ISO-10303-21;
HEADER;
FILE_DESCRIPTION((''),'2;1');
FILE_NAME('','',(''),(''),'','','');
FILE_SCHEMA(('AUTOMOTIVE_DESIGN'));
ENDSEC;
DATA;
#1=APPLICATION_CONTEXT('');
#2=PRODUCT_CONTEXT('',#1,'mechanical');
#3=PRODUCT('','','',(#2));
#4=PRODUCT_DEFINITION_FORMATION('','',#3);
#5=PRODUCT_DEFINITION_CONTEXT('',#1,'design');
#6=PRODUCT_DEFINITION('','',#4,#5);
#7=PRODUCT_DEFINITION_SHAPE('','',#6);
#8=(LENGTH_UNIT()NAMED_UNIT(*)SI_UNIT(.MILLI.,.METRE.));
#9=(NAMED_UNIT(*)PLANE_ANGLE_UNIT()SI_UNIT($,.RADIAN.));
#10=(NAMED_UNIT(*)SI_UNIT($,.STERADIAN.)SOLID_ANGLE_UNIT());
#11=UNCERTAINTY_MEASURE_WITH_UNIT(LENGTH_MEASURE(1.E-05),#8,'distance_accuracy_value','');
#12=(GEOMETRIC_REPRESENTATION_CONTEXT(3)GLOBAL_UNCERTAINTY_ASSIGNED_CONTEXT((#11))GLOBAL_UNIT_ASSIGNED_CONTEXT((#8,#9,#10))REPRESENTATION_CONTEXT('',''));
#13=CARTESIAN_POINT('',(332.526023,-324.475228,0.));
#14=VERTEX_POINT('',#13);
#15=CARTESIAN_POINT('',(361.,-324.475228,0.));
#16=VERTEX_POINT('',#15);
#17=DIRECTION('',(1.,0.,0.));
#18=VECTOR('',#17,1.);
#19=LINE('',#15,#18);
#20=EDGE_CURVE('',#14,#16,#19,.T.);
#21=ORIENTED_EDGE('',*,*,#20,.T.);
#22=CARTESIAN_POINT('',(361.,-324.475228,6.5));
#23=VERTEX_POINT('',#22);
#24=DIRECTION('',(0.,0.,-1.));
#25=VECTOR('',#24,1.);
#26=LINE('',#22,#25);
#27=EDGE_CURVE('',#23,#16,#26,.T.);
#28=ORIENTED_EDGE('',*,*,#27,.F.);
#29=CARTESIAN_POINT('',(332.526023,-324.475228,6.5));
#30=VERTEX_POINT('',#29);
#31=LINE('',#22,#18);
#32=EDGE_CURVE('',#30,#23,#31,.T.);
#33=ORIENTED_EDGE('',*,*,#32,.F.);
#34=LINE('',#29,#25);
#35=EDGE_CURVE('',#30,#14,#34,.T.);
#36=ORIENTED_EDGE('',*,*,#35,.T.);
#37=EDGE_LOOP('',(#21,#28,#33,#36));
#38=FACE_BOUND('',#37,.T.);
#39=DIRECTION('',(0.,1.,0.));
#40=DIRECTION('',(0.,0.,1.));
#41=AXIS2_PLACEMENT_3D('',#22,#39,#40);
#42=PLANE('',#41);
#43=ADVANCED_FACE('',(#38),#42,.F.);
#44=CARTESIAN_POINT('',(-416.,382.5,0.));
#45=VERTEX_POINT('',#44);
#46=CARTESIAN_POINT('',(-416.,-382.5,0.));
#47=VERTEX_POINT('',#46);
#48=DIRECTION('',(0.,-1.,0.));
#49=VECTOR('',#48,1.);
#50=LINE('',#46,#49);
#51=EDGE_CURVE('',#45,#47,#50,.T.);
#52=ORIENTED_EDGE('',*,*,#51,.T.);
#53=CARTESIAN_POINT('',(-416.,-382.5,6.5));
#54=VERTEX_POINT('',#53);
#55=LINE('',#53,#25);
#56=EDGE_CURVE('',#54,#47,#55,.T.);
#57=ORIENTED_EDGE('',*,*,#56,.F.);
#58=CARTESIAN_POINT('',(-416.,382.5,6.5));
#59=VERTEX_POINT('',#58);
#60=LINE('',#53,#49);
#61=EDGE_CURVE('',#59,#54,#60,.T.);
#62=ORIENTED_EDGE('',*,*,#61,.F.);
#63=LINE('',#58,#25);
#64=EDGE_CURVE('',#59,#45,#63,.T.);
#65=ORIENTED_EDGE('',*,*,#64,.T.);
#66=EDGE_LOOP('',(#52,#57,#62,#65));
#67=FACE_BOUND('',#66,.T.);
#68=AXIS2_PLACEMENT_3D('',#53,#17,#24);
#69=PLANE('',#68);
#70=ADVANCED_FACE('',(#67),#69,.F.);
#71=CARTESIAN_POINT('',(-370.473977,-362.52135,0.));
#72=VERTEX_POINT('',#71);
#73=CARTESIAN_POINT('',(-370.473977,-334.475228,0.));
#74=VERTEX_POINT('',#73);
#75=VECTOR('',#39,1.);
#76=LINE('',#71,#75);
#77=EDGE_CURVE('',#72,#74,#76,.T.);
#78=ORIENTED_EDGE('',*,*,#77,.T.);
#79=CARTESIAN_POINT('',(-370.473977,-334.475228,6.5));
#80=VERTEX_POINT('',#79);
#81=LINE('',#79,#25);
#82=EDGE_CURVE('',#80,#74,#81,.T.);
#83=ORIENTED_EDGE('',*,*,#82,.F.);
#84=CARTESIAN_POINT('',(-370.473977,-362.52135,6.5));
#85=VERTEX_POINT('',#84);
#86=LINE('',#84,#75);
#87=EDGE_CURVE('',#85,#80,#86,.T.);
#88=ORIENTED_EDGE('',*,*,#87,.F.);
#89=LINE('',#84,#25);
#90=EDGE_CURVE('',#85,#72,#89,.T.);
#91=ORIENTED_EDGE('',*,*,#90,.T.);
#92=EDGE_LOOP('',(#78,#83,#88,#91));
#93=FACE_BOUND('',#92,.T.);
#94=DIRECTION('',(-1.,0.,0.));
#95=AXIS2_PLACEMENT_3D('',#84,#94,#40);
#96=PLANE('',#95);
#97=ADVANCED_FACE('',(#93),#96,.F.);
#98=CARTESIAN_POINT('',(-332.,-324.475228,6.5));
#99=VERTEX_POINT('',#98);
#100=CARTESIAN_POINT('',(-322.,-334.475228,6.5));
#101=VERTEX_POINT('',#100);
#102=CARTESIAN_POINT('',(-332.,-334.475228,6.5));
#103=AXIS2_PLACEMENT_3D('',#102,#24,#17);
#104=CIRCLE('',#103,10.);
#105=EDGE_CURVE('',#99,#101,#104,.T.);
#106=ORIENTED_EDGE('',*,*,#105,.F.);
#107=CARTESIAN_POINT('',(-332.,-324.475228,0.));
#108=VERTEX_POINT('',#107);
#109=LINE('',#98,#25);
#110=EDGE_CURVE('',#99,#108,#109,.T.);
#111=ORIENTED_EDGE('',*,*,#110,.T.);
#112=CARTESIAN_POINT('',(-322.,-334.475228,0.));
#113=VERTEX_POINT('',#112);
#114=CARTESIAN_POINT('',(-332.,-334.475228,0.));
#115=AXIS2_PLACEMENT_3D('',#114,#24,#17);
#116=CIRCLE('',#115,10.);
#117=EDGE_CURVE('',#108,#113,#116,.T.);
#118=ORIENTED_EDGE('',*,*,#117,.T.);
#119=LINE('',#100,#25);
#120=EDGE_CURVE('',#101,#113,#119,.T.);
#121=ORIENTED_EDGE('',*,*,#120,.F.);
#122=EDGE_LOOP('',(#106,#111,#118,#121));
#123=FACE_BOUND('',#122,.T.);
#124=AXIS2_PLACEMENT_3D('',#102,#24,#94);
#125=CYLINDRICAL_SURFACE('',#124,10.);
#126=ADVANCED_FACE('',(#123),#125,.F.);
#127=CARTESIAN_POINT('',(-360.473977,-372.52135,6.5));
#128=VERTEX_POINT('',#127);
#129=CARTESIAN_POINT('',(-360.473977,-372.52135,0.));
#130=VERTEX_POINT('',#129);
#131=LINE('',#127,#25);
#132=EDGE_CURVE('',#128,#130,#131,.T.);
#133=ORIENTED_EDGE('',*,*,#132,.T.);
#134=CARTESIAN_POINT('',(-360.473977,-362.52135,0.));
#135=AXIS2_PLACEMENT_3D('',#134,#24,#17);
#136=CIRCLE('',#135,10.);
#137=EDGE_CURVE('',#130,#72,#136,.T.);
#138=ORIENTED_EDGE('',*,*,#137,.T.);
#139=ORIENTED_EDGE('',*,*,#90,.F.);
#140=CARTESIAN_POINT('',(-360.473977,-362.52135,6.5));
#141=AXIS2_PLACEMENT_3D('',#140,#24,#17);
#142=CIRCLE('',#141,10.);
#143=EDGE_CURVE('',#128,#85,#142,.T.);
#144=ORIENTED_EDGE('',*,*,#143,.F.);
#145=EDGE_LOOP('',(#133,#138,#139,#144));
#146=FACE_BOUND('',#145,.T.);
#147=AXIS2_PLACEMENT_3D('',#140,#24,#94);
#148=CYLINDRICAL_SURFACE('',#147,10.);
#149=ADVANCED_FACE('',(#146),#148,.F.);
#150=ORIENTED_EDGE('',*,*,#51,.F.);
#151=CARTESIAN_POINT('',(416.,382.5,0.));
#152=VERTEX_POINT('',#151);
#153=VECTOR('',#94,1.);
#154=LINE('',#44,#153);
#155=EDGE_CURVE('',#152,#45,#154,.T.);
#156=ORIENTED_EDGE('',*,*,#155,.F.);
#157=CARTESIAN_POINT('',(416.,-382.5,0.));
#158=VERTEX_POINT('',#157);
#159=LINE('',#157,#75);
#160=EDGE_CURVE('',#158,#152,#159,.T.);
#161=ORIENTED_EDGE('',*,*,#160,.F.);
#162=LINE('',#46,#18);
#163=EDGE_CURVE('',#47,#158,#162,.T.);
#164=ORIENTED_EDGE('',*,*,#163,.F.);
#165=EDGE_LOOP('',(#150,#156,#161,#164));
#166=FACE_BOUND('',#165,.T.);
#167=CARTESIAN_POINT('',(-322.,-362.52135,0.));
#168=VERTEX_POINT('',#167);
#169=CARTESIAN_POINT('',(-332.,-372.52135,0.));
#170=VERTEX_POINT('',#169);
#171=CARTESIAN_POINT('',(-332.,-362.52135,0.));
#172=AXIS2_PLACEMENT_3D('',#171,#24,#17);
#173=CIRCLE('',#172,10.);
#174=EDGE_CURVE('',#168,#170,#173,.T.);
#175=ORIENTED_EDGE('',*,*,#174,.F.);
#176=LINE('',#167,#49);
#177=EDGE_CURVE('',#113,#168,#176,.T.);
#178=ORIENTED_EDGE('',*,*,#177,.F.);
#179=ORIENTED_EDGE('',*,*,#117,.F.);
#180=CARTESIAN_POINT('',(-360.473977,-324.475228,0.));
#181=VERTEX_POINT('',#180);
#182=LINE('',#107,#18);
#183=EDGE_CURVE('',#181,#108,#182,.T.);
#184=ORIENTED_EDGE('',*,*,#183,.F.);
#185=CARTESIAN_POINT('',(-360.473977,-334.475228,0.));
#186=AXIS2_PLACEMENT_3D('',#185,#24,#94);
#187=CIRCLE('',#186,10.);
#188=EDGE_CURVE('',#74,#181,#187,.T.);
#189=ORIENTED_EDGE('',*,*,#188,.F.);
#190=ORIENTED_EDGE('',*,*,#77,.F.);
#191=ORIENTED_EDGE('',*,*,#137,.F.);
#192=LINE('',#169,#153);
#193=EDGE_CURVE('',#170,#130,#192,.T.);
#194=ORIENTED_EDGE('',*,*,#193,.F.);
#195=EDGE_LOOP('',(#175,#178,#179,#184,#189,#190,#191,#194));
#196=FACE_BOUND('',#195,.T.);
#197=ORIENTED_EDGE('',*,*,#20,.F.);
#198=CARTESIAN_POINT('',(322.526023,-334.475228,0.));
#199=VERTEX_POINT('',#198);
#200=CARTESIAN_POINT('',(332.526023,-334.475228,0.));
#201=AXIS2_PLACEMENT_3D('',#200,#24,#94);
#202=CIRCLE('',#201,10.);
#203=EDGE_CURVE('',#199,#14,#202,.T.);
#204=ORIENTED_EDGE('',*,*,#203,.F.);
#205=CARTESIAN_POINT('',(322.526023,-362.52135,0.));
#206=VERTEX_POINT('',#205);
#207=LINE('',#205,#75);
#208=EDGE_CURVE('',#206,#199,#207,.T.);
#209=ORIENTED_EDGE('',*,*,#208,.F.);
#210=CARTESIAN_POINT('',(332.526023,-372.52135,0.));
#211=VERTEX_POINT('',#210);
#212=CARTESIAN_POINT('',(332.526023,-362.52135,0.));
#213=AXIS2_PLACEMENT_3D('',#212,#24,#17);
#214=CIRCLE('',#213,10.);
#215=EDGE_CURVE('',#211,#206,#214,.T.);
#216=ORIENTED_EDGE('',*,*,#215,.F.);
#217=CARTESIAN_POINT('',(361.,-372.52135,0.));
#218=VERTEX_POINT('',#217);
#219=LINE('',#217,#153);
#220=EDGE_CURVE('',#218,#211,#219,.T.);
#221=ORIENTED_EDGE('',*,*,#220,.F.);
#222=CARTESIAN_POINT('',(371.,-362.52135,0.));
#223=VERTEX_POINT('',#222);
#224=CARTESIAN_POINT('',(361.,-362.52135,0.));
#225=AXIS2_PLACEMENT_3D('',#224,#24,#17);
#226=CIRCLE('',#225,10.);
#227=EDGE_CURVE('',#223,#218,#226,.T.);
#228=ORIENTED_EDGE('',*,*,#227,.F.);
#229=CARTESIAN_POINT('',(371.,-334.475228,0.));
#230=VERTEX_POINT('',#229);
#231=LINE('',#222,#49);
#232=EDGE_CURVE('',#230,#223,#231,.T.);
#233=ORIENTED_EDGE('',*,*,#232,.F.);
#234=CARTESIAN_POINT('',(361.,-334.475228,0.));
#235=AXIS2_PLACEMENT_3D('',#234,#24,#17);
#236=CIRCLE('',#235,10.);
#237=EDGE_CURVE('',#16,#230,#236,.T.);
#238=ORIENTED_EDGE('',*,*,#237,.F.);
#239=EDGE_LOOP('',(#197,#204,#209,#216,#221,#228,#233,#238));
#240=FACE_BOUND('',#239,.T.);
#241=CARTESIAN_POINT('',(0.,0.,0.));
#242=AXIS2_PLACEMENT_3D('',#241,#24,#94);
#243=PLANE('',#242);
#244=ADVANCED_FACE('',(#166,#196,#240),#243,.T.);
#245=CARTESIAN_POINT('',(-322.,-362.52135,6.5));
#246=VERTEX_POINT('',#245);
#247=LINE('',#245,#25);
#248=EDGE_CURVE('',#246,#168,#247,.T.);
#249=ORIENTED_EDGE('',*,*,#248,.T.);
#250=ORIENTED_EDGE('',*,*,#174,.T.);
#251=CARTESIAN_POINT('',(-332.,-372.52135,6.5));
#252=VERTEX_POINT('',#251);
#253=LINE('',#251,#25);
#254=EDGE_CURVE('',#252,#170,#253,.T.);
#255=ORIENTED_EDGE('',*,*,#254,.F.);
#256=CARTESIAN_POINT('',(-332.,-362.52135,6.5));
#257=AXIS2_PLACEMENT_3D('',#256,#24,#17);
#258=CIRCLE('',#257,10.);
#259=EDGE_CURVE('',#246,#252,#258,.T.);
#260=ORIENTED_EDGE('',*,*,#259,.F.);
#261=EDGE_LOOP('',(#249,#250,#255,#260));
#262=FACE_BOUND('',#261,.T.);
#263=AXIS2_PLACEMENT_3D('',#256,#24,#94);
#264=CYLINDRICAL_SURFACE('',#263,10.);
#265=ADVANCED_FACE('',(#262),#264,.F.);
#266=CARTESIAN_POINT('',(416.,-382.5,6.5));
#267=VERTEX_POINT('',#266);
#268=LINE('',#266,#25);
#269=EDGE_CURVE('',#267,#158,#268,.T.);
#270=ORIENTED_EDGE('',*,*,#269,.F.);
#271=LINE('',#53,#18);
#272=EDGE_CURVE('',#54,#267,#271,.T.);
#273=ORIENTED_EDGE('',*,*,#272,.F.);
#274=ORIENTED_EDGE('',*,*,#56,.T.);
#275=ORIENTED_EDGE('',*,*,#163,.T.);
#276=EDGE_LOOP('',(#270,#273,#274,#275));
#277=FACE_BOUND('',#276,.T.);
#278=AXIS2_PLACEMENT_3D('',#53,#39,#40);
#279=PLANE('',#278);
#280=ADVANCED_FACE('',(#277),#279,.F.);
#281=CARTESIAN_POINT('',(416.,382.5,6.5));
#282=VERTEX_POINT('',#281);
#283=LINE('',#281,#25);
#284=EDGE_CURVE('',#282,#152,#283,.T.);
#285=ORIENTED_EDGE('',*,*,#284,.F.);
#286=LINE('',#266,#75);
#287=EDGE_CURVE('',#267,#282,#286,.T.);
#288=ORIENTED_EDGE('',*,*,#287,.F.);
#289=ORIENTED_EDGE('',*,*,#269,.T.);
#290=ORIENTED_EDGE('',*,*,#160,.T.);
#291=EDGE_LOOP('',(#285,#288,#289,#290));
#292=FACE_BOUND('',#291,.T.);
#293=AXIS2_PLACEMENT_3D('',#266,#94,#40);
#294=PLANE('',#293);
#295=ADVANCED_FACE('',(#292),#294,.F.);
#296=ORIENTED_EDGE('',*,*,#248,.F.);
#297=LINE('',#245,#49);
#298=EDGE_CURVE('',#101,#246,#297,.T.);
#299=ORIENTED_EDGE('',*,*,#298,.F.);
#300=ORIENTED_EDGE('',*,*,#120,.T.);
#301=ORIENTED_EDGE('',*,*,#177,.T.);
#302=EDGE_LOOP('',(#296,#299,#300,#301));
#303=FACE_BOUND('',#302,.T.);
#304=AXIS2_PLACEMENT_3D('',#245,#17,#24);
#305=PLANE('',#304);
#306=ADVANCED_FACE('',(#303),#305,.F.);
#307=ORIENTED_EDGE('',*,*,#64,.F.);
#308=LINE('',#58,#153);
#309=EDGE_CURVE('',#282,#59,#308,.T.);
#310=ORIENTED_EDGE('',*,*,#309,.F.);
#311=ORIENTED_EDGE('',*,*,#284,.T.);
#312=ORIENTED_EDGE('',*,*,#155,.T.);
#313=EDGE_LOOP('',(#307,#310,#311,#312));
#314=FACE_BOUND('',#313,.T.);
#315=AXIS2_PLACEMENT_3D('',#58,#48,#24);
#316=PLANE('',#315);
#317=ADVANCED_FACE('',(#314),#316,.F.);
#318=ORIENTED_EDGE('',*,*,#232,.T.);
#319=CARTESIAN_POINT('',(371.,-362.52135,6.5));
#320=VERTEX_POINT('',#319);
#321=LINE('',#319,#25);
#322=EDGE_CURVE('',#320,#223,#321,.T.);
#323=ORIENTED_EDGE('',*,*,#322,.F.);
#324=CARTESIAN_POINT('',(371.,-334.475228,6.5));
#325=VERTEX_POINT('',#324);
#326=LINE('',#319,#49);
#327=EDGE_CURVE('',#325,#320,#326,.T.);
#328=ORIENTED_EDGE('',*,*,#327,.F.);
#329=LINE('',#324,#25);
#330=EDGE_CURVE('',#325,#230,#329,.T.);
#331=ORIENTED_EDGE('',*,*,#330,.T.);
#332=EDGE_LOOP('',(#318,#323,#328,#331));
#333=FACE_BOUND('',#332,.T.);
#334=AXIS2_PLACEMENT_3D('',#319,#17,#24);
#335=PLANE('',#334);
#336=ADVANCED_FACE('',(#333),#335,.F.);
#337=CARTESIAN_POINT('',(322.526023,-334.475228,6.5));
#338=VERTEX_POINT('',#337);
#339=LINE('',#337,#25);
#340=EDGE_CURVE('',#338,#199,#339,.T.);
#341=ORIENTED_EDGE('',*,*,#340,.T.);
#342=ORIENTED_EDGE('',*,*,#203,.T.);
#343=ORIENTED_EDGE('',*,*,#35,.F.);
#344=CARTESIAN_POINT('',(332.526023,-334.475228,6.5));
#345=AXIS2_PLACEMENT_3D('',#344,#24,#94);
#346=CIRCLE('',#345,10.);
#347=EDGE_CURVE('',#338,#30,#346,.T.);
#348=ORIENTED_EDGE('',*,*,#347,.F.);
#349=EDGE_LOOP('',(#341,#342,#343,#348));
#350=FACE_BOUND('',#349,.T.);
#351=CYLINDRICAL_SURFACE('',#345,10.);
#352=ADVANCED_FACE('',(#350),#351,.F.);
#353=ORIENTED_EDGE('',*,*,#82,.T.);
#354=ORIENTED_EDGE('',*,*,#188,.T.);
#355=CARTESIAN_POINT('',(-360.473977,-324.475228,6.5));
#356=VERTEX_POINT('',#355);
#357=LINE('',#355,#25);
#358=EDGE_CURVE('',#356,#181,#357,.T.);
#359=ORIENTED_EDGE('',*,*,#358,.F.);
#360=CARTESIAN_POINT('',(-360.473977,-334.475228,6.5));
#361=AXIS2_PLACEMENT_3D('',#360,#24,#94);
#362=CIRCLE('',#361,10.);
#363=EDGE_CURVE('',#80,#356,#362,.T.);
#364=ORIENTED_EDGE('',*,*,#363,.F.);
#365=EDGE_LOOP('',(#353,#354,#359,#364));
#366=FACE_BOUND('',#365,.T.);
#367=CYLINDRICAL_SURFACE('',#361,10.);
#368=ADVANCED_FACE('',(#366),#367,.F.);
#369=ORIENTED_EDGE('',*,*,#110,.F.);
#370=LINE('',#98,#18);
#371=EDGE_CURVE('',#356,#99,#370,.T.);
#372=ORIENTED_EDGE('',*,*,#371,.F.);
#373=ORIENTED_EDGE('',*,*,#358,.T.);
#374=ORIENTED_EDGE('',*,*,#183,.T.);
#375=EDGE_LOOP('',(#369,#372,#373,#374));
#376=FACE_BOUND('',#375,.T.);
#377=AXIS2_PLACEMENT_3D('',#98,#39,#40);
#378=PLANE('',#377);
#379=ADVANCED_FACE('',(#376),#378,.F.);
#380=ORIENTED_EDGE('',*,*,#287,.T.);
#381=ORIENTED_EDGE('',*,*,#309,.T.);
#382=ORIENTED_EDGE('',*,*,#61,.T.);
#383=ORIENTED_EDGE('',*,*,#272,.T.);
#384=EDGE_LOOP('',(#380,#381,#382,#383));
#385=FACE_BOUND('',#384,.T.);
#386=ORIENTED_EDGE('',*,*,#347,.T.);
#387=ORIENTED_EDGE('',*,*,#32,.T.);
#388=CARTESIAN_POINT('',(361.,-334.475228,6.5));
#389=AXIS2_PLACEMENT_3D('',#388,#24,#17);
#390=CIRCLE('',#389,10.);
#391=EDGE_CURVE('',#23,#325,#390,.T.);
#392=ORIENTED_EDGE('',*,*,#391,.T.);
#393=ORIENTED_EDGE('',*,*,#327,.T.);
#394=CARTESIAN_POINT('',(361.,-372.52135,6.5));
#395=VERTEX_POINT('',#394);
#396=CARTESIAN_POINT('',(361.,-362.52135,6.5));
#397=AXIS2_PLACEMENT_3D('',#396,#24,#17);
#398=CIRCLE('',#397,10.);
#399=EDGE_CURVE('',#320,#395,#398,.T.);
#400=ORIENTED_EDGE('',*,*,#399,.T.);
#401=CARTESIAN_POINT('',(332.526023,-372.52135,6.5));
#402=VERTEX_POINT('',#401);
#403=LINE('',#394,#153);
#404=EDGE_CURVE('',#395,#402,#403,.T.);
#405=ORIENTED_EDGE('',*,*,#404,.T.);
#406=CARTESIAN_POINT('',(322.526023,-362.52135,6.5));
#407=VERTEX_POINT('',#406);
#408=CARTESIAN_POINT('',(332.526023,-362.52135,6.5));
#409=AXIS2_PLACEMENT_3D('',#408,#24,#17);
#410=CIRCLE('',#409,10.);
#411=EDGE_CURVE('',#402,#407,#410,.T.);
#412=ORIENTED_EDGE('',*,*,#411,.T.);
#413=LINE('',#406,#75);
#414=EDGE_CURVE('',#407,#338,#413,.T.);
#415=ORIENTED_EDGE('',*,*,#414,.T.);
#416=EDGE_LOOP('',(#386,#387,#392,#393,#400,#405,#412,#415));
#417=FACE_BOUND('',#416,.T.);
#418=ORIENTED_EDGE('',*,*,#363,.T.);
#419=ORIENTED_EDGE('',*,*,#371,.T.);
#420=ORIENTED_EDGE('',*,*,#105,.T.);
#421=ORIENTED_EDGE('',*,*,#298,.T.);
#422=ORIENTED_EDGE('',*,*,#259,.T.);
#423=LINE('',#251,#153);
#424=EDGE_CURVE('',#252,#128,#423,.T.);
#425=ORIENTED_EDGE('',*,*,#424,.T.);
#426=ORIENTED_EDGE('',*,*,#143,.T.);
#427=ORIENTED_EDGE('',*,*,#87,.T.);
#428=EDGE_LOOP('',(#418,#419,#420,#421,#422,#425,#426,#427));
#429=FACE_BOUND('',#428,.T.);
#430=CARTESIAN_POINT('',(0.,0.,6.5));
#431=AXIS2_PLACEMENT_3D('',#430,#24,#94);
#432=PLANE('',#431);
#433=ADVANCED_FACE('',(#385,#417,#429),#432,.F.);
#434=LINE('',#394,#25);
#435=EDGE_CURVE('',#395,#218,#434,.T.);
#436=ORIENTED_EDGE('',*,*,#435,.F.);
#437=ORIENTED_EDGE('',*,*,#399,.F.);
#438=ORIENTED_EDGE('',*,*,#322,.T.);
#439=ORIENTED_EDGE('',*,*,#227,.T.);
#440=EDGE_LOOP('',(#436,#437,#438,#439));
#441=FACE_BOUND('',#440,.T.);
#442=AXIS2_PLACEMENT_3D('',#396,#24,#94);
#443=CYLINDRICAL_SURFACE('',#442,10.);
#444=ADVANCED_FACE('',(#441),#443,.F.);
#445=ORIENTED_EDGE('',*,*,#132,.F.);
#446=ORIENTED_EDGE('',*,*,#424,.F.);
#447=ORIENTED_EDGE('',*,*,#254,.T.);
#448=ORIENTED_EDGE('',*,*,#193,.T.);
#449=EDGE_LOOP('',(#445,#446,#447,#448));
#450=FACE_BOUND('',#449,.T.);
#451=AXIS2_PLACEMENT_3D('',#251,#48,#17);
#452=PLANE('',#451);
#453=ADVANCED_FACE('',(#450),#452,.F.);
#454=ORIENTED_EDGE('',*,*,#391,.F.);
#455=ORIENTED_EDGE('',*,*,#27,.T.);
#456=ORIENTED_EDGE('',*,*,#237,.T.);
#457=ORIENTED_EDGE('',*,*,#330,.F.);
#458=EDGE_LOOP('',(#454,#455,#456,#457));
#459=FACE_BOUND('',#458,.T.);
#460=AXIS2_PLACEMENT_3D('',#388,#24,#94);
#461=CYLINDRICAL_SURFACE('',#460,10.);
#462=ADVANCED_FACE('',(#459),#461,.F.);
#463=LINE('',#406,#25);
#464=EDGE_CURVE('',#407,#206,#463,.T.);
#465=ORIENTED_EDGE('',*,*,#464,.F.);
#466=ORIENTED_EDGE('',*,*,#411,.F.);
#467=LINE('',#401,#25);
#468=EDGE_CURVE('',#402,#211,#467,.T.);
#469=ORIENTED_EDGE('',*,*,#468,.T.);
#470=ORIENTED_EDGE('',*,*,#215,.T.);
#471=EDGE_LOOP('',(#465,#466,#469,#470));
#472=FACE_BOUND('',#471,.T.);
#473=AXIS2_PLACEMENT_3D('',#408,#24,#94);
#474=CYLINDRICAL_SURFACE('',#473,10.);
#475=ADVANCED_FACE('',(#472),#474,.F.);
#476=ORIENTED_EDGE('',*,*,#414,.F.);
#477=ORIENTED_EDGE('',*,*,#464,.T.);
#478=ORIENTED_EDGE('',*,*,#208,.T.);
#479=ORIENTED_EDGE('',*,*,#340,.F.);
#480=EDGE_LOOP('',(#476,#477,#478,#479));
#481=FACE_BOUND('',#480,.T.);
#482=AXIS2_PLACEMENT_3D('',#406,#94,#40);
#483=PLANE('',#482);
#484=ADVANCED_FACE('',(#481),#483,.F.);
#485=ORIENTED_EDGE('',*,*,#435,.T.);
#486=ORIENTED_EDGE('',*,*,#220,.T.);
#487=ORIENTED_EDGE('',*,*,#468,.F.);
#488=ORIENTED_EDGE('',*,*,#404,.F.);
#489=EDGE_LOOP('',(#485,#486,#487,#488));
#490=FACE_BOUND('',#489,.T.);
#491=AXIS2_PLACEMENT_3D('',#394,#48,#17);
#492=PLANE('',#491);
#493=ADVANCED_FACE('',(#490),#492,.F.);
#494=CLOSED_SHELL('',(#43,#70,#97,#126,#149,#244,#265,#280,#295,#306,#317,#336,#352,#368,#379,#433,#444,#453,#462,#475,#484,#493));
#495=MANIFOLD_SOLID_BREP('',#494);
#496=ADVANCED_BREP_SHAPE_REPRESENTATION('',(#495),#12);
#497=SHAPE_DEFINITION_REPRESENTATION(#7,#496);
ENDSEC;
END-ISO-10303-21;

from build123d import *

# Parameters (mm, degrees)
ESQUISSE1_W                = 832
ESQUISSE1_H                = 765
BOSS_EXTRU_1_DEPTH         = 6.5
ENL_V_MAT_EXTRU_1_DEPTH    = 566.158827234
R_P_TITION_LIN_AIRE1_COUNT = 2
R_P_TITION_LIN_AIRE1_PITCH = 693


with BuildPart() as part:
    # Esquisse1 → Boss.-Extru.1 (new body)
    with BuildSketch(Plane.XY):
        Rectangle(ESQUISSE1_W, ESQUISSE1_H)
    extrude(amount=BOSS_EXTRU_1_DEPTH)

    # Esquisse2 → Enlèv. mat.-Extru.1 (cut, through all)
    with BuildSketch(Plane(origin=(0, 0, 0), x_dir=(-1, 0, 0), z_dir=(0, 0, -1))):
        with BuildLine():
            Line((-361, -372.521350197), (-332.52602316, -372.521350197))
            ThreePointArc((-332.52602316, -372.521350197), (-325.454955349, -369.592418009), (-322.52602316, -362.521350197))
            Line((-322.52602316, -362.521350197), (-322.52602316, -334.475228476))
            ThreePointArc((-322.52602316, -334.475228476), (-325.454955349, -327.404160664), (-332.52602316, -324.475228476))
            Line((-332.52602316, -324.475228476), (-361, -324.475228476))
            ThreePointArc((-361, -324.475228476), (-368.071067812, -327.404160664), (-371, -334.475228476))
            Line((-371, -334.475228476), (-371, -362.521350197))
            ThreePointArc((-371, -362.521350197), (-368.071067812, -369.592418009), (-361, -372.521350197))
        make_face()
    enl_v_mat_extru_1 = extrude(amount=-ENL_V_MAT_EXTRU_1_DEPTH, mode=Mode.SUBTRACT)

    # Répétition linéaire1: Enlèv. mat.-Extru.1 ×2
    with Locations(*[(-i * R_P_TITION_LIN_AIRE1_PITCH, 0, 0) for i in range(1, R_P_TITION_LIN_AIRE1_COUNT)]):
        add(enl_v_mat_extru_1, mode=Mode.SUBTRACT)


solid = part.part
